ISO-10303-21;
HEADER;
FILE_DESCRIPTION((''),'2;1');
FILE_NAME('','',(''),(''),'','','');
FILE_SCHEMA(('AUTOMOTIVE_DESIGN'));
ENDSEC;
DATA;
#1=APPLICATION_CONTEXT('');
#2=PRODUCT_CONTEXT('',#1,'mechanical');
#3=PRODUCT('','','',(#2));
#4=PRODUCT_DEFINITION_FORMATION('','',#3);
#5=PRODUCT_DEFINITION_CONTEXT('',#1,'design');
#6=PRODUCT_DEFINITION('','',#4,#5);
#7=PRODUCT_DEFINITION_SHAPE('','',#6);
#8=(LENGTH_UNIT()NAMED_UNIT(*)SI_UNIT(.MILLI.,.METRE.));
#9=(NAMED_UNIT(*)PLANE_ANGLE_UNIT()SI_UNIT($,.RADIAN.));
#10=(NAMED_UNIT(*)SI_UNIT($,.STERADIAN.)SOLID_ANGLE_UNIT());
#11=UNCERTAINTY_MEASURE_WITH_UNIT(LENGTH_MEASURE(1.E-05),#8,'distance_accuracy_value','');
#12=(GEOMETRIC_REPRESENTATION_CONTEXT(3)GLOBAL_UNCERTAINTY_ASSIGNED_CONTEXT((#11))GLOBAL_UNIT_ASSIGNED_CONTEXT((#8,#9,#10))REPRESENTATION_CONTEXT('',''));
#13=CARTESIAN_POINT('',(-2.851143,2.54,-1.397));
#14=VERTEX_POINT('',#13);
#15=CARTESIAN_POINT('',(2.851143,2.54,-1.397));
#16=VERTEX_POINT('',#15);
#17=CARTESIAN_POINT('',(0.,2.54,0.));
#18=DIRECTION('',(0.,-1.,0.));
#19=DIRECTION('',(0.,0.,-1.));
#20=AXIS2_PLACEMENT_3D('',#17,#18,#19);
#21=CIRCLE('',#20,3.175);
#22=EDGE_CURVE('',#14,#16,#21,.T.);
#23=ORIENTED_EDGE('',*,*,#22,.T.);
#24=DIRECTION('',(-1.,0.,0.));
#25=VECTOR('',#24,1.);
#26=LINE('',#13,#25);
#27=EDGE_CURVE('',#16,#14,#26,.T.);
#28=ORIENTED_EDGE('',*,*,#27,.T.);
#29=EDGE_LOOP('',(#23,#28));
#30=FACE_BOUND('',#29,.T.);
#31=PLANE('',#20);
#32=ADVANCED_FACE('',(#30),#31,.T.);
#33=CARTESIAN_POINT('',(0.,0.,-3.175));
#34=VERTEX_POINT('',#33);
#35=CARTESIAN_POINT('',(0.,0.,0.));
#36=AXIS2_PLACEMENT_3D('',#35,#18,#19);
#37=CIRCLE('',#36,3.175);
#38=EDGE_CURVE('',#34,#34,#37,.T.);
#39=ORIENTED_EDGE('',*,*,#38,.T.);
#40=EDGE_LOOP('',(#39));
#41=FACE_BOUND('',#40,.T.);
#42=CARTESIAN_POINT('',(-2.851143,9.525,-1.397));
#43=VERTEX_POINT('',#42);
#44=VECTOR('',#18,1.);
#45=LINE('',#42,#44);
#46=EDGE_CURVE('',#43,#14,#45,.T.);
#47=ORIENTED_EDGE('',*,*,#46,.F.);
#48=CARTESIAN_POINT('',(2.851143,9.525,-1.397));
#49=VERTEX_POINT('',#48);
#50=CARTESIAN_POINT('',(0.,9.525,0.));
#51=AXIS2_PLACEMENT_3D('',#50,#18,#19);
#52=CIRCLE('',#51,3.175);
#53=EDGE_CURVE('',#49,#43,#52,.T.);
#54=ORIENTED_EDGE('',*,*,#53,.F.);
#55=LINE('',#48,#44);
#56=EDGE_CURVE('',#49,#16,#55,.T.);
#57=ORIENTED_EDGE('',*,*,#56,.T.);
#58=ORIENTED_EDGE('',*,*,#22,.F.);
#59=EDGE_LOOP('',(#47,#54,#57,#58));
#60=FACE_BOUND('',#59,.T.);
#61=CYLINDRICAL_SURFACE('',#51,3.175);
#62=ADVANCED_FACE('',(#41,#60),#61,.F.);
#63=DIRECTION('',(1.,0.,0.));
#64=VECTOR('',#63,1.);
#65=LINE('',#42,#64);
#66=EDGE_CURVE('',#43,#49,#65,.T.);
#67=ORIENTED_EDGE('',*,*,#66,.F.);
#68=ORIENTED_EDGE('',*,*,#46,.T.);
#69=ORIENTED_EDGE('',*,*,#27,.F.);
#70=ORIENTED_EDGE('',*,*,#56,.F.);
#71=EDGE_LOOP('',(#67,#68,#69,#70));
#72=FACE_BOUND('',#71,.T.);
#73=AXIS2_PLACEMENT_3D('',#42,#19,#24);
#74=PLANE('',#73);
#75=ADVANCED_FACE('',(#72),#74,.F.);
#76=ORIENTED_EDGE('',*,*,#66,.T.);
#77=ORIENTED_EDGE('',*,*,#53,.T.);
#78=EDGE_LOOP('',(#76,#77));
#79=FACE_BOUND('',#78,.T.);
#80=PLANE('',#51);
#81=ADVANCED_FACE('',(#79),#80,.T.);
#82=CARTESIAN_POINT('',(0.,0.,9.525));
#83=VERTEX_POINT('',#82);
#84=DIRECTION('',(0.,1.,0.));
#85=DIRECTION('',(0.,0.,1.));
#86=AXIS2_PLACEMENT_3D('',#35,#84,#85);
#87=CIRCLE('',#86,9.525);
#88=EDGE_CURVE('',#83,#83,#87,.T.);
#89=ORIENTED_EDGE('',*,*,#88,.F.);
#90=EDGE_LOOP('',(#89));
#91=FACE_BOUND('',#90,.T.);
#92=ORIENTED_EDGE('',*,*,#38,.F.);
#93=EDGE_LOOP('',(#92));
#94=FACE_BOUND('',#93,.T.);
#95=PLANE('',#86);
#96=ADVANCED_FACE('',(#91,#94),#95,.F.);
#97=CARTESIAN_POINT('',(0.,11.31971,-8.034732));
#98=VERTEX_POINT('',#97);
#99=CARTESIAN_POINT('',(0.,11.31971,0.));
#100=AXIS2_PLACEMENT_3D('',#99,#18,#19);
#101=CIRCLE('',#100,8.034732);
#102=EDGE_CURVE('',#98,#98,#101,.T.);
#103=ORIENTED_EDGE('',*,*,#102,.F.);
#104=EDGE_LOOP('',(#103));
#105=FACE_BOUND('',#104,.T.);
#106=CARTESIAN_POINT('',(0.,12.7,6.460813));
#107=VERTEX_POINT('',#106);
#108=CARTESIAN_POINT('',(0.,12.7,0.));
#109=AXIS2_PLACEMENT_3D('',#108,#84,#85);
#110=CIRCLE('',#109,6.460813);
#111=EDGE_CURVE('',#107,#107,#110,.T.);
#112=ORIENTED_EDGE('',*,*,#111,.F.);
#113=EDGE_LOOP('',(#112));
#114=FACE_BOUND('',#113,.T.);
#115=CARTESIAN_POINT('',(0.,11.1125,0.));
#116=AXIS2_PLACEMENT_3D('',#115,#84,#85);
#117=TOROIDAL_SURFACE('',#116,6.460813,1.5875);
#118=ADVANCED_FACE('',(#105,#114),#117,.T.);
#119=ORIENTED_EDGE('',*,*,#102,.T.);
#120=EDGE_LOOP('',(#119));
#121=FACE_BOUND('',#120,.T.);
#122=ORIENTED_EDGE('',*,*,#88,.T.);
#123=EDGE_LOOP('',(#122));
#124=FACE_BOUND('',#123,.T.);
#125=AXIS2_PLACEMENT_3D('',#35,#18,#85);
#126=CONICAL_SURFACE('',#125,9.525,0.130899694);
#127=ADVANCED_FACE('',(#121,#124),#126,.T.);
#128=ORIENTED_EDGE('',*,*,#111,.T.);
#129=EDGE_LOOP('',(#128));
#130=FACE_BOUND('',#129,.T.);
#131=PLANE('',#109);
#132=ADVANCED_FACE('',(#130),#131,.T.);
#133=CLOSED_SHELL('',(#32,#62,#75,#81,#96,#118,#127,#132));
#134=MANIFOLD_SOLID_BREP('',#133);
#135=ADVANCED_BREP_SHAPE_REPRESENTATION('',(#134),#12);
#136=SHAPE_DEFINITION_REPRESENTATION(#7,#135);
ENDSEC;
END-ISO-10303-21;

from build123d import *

# Parameters (mm, degrees)
SKETCH1_R           = 9.525
BOSS_EXTRUDE1_DEPTH = 12.7
BOSS_EXTRUDE1_TAPER = 7.5
CUT_EXTRUDE1_DEPTH  = 9.525
SKETCH3_R           = 3.175
CUT_EXTRUDE2_DEPTH  = 2.54
FILLET3_R           = 1.5875


with BuildPart() as part:
    # Sketch1 → Boss-Extrude1 (new body)
    with BuildSketch(Plane(origin=(0, 0, 0), x_dir=(1, 0, 0), z_dir=(0, 1, 0))):
        Circle(SKETCH1_R)
    extrude(amount=BOSS_EXTRUDE1_DEPTH, taper=BOSS_EXTRUDE1_TAPER)

    # Sketch2 → Cut-Extrude1 (cut)
    with BuildSketch(Plane.XZ):
        with BuildLine():
            Line((-2.851142929, -1.397), (2.851142929, -1.397))
            ThreePointArc((2.851142929, -1.397), (0, 3.175), (-2.851142929, -1.397))
        make_face()
    extrude(amount=-CUT_EXTRUDE1_DEPTH, mode=Mode.SUBTRACT)

    # Sketch3 → Cut-Extrude2 (cut)
    with BuildSketch(Plane.XZ):
        with Locations(Location((0, 0, 0), (0, 0, 270))):
            Circle(SKETCH3_R)
    extrude(amount=-CUT_EXTRUDE2_DEPTH, mode=Mode.SUBTRACT)

    # Fillet3
    fillet3_edges = [part.edges().sort_by_distance(p)[0] for p in [
        (-7.853013281, 12.7, 0),
    ]]
    fillet(fillet3_edges, radius=FILLET3_R)


solid = part.part
